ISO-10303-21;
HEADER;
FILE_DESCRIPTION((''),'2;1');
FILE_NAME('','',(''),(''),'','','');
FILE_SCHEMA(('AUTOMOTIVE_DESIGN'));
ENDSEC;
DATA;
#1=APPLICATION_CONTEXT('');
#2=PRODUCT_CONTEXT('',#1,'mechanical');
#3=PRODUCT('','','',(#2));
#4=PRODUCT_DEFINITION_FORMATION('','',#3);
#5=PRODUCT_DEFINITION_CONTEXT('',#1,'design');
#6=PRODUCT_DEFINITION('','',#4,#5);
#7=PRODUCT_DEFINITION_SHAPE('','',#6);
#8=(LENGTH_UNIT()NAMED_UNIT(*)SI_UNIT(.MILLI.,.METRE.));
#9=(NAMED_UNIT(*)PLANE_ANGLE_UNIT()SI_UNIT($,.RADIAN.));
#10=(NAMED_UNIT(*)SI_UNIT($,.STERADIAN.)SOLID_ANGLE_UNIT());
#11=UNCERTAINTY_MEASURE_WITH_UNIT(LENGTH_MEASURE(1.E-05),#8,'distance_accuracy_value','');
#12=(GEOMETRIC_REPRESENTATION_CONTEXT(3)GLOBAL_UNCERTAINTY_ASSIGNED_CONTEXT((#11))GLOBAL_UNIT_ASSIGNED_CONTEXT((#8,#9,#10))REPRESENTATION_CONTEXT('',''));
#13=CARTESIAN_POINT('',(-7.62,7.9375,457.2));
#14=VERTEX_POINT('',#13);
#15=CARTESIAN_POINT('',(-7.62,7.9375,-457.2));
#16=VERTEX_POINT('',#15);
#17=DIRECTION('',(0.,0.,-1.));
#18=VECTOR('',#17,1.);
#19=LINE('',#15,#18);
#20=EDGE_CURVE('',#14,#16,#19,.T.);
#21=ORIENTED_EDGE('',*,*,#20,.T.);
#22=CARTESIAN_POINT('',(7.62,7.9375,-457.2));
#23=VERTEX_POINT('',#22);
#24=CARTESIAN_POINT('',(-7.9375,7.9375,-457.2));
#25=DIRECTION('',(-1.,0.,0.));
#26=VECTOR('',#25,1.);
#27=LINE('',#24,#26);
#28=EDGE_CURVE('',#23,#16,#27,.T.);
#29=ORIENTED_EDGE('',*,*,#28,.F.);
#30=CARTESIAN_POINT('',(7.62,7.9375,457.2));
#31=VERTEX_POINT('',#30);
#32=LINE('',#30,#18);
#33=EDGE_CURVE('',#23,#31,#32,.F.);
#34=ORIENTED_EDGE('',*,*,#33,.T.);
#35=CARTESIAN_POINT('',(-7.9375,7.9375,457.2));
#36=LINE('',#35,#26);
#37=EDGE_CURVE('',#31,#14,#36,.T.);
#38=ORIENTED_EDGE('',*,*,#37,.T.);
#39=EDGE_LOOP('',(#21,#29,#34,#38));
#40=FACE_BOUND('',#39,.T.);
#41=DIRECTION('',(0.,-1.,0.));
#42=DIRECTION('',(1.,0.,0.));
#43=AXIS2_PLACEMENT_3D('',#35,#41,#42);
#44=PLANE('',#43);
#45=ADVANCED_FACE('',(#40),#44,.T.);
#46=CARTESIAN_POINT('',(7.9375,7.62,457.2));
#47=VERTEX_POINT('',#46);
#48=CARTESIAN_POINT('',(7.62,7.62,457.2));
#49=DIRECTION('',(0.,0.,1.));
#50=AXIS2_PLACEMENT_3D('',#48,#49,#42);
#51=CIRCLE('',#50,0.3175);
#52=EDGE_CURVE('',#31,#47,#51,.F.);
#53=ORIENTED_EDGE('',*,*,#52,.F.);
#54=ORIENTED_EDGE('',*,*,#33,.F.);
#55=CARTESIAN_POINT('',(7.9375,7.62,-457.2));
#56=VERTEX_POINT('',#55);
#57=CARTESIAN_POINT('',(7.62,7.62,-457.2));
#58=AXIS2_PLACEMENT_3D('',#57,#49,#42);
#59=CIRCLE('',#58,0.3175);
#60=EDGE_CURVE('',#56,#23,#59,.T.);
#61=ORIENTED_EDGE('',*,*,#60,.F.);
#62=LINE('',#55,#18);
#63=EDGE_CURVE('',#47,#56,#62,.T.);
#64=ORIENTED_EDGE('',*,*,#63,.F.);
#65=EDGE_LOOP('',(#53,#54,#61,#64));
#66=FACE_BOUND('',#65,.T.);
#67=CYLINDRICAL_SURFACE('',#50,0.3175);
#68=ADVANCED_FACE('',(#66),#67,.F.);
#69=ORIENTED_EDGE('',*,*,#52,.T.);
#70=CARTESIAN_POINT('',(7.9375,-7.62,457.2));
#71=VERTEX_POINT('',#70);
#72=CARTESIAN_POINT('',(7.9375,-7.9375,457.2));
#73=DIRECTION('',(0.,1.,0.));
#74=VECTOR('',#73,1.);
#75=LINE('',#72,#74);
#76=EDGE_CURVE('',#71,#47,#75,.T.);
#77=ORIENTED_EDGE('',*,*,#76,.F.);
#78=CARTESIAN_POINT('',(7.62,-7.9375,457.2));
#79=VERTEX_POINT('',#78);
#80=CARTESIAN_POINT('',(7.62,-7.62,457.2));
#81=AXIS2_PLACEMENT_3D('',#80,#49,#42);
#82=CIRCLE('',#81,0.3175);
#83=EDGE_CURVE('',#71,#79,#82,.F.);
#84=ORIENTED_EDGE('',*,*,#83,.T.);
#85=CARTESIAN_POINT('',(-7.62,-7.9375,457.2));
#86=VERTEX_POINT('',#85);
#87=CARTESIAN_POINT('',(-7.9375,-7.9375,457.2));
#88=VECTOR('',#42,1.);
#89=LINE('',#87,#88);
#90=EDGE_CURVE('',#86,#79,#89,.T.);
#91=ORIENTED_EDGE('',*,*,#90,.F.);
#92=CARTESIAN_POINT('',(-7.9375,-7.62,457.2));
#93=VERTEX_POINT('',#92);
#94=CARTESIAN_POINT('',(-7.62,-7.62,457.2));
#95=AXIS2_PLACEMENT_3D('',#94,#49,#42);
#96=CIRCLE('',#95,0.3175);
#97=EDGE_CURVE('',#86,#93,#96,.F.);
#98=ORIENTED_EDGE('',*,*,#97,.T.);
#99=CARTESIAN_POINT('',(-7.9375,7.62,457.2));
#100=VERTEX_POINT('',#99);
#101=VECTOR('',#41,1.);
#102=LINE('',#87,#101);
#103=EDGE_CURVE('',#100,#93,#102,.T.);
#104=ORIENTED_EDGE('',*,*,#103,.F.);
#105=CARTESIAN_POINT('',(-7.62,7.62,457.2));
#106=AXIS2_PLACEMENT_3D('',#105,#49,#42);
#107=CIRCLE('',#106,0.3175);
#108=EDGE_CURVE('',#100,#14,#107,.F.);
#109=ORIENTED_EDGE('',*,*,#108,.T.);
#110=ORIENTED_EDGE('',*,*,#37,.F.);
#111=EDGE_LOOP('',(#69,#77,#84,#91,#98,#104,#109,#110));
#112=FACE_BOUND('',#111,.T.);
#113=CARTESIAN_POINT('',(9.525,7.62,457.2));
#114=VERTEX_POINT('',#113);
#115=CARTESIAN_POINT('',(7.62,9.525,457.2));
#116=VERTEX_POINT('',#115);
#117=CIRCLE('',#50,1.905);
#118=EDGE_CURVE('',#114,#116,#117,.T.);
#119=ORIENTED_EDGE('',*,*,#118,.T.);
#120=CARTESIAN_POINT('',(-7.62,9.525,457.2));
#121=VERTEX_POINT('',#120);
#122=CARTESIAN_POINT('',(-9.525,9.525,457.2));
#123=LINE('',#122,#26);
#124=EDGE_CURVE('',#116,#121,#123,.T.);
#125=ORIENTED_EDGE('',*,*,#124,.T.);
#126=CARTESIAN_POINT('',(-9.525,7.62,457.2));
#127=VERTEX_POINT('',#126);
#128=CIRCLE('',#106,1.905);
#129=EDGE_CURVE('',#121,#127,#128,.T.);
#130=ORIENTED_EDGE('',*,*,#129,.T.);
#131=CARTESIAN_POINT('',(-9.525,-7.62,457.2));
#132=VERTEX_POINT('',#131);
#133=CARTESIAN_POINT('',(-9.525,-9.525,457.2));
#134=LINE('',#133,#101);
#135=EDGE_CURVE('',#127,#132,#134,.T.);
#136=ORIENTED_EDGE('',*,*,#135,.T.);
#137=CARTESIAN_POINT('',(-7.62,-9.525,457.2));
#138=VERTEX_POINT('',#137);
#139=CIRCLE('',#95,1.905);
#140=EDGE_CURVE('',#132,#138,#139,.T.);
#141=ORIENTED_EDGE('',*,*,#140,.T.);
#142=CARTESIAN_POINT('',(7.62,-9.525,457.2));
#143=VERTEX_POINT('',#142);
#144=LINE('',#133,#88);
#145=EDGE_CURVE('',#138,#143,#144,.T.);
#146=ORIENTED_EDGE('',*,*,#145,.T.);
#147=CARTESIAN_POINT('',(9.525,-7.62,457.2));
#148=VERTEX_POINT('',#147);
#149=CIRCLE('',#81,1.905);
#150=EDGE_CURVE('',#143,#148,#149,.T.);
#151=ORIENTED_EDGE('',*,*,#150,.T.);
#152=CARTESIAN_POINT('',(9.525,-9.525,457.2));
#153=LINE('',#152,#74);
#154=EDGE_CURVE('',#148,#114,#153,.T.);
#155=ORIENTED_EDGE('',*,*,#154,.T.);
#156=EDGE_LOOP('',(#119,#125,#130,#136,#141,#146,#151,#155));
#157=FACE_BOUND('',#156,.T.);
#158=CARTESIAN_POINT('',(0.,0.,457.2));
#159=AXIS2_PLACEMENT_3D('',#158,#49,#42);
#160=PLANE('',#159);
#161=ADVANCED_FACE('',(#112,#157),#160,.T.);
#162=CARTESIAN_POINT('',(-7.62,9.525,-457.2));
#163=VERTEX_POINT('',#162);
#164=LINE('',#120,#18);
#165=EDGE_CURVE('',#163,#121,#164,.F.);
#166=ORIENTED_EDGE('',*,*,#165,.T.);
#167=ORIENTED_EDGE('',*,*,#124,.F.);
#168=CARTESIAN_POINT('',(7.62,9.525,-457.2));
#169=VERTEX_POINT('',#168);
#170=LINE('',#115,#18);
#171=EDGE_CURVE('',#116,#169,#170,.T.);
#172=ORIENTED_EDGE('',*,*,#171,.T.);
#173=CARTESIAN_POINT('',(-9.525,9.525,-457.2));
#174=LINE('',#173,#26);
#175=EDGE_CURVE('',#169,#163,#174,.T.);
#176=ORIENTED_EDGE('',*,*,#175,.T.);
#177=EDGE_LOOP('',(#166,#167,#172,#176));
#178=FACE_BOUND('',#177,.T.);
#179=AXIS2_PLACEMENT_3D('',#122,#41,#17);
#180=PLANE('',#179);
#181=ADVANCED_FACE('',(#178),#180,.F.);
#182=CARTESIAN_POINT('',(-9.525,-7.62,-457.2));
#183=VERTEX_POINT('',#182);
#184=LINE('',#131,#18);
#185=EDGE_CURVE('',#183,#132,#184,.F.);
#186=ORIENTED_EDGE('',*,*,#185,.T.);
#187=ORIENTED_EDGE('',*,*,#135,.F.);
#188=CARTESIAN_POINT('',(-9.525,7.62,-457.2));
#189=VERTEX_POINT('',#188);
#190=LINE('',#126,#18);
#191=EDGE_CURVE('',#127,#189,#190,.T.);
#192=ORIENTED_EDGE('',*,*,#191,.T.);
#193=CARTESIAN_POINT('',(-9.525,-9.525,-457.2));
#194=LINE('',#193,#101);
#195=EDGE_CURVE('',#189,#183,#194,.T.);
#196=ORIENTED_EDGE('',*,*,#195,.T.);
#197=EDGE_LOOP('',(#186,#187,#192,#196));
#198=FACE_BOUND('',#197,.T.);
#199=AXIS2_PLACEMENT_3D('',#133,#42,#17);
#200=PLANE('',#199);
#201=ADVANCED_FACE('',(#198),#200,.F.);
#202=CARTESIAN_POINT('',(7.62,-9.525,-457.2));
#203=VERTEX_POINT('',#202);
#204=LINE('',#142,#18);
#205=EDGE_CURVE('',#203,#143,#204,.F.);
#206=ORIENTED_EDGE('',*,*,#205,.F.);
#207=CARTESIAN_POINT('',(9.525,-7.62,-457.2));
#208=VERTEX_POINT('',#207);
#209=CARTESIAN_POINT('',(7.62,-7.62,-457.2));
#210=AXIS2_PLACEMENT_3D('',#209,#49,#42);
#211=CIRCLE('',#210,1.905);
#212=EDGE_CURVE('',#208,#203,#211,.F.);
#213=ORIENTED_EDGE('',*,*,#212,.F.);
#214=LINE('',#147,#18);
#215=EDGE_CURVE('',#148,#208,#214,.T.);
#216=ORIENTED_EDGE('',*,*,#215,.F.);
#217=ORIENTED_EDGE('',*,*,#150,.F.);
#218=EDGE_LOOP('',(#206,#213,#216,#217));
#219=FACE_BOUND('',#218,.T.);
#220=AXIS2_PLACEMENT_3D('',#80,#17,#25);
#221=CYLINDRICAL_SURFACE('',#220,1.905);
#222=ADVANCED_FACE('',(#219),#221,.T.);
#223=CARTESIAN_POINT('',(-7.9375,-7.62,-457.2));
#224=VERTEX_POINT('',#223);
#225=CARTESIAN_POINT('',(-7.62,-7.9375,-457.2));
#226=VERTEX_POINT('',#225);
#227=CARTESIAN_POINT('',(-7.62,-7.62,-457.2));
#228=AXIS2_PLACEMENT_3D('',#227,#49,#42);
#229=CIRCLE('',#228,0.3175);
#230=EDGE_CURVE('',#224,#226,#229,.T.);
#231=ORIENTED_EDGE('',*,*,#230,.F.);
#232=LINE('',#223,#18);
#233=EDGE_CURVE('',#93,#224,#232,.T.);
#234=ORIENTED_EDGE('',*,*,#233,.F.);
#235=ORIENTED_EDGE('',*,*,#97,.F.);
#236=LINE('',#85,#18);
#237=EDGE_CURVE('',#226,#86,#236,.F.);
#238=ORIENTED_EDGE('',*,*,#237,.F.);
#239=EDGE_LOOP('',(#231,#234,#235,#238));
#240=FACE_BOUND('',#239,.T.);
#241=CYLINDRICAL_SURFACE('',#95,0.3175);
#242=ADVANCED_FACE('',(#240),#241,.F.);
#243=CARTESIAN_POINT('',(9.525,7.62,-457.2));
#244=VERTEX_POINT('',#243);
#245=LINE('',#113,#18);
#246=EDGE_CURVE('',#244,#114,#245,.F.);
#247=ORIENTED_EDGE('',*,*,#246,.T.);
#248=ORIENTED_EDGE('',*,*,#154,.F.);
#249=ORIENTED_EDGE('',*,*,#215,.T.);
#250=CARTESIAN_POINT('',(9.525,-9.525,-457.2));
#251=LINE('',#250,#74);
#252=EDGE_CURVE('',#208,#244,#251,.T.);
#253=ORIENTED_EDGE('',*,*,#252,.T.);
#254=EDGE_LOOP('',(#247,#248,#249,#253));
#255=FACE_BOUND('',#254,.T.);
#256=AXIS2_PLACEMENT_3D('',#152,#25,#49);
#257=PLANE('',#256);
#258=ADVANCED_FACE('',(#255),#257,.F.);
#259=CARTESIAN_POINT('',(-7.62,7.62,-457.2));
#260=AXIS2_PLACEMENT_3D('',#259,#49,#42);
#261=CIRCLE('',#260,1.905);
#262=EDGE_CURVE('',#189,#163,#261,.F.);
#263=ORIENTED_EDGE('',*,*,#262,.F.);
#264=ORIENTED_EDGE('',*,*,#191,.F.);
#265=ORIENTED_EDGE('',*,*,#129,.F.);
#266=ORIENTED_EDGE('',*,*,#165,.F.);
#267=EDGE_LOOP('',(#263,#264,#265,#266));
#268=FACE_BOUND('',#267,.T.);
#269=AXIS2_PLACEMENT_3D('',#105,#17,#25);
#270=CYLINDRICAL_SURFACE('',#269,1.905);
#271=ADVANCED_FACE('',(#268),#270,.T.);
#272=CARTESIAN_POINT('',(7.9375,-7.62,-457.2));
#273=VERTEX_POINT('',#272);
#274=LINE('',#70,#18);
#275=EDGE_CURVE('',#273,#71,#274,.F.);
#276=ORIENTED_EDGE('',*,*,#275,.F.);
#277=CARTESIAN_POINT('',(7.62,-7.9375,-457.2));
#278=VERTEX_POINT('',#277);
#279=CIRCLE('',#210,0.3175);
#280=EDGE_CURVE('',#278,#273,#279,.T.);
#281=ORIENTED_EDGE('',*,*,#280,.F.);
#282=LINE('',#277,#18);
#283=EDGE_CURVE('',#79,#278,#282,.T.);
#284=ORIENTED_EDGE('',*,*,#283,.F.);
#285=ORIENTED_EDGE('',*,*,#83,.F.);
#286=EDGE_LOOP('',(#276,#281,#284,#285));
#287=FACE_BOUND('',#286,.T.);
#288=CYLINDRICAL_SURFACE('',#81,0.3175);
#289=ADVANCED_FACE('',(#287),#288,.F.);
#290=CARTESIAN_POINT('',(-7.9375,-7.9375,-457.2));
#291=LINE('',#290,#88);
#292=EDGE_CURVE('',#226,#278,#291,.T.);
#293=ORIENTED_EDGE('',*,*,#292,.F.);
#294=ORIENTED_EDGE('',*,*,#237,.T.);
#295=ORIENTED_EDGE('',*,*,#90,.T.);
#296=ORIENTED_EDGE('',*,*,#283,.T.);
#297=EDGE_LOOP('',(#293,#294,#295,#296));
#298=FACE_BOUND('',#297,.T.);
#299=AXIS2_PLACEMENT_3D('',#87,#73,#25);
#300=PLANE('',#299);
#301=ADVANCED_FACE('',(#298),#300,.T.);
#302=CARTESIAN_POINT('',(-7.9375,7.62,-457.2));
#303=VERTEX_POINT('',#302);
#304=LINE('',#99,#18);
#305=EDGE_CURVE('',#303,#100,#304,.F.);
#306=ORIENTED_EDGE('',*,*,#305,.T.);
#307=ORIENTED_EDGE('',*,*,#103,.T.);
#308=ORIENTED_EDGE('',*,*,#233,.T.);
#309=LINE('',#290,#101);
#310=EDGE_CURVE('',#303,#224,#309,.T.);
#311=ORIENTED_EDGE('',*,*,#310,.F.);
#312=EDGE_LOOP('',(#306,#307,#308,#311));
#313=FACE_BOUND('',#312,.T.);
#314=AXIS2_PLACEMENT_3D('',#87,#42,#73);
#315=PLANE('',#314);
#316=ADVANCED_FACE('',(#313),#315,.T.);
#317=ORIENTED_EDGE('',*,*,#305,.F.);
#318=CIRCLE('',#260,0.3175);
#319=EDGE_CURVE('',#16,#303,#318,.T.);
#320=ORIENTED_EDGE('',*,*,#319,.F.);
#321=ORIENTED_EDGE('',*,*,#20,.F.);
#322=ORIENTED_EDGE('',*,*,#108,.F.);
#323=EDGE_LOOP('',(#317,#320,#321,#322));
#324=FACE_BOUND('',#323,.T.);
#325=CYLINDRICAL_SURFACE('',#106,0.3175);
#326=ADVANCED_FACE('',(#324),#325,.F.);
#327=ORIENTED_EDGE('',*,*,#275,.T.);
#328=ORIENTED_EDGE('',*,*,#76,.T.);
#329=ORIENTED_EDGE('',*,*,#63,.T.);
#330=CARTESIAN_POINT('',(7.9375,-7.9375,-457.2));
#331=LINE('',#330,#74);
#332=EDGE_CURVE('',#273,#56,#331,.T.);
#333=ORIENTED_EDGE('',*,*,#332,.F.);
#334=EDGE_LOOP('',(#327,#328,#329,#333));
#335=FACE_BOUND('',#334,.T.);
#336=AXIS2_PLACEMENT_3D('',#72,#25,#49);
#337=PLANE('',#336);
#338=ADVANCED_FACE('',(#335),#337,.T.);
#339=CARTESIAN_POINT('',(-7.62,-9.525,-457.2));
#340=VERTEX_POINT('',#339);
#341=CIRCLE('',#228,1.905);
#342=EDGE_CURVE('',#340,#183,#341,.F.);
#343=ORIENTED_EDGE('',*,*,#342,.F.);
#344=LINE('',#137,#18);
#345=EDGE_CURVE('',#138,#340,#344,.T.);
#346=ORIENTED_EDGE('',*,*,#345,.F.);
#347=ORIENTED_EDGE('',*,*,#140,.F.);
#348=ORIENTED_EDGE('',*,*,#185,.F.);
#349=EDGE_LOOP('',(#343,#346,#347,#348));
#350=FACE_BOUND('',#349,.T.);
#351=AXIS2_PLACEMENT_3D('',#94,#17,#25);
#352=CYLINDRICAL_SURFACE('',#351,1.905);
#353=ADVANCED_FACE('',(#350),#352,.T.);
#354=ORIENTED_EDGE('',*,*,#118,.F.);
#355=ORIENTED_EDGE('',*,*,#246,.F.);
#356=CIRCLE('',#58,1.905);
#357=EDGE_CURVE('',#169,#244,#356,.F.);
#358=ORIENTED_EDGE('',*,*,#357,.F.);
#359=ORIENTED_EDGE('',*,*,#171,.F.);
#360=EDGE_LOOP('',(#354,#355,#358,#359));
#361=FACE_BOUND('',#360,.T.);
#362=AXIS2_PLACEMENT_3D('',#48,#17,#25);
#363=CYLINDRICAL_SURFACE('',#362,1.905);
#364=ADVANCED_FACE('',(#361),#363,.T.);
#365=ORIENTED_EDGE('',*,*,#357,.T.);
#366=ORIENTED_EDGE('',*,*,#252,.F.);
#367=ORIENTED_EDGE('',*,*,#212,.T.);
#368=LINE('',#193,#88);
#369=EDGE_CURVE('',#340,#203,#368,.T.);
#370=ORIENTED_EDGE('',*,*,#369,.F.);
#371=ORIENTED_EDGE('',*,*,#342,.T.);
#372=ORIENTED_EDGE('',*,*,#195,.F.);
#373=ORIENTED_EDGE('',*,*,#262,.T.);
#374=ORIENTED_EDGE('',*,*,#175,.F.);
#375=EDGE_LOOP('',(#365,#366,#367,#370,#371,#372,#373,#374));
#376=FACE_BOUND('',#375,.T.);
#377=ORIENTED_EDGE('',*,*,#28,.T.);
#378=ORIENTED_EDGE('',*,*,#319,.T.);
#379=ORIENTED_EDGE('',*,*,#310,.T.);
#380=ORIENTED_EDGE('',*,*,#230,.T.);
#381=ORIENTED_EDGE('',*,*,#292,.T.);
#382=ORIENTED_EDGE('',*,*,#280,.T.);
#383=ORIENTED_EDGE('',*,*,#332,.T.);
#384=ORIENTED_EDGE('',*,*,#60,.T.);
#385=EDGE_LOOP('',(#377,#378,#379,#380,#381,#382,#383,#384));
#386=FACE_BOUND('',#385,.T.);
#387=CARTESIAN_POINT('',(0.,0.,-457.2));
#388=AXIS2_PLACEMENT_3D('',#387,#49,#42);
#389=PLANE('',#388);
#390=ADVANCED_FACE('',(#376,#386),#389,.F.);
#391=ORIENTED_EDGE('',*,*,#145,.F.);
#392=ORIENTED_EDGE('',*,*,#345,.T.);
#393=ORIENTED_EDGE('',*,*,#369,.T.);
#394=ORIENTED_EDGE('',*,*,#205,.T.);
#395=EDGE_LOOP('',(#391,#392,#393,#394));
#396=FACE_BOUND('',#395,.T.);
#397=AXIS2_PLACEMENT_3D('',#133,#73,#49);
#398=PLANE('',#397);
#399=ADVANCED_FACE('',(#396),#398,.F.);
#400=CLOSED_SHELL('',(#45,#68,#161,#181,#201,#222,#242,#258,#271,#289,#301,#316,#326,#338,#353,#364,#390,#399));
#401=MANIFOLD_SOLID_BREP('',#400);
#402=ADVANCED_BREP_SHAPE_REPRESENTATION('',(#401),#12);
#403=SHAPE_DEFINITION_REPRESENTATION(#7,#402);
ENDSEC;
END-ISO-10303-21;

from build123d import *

# Parameters (mm, degrees)
SKETCH2_W           = 19.05
SKETCH2_H           = 19.05
SKETCH2_W_2         = 15.875
SKETCH2_H_2         = 15.875
BOSS_EXTRUDE1_DEPTH = 457.2
FILLET1_R           = 1.905
FILLET2_R           = 0.3175


with BuildPart() as part:
    # Sketch2 → Boss-Extrude1 (new, symmetric)
    with BuildSketch(Plane.XY):
        Rectangle(SKETCH2_W, SKETCH2_H)
        Rectangle(SKETCH2_W_2, SKETCH2_H_2, mode=Mode.SUBTRACT)
    extrude(amount=BOSS_EXTRUDE1_DEPTH, both=True)

    # Fillet1
    fillet1_edges = [part.edges().sort_by_distance(p)[0] for p in [
        (-9.525, -9.525, 0),
        (-9.525, 9.525, 0),
        (9.525, 9.525, 0),
        (9.525, -9.525, 0),
    ]]
    fillet(fillet1_edges, radius=FILLET1_R)

    # Fillet2
    fillet2_edges = [part.edges().sort_by_distance(p)[0] for p in [
        (-7.9375, -7.9375, 0),
        (7.9375, -7.9375, 0),
        (7.9375, 7.9375, 0),
        (-7.9375, 7.9375, 0),
    ]]
    fillet(fillet2_edges, radius=FILLET2_R)


solid = part.part
